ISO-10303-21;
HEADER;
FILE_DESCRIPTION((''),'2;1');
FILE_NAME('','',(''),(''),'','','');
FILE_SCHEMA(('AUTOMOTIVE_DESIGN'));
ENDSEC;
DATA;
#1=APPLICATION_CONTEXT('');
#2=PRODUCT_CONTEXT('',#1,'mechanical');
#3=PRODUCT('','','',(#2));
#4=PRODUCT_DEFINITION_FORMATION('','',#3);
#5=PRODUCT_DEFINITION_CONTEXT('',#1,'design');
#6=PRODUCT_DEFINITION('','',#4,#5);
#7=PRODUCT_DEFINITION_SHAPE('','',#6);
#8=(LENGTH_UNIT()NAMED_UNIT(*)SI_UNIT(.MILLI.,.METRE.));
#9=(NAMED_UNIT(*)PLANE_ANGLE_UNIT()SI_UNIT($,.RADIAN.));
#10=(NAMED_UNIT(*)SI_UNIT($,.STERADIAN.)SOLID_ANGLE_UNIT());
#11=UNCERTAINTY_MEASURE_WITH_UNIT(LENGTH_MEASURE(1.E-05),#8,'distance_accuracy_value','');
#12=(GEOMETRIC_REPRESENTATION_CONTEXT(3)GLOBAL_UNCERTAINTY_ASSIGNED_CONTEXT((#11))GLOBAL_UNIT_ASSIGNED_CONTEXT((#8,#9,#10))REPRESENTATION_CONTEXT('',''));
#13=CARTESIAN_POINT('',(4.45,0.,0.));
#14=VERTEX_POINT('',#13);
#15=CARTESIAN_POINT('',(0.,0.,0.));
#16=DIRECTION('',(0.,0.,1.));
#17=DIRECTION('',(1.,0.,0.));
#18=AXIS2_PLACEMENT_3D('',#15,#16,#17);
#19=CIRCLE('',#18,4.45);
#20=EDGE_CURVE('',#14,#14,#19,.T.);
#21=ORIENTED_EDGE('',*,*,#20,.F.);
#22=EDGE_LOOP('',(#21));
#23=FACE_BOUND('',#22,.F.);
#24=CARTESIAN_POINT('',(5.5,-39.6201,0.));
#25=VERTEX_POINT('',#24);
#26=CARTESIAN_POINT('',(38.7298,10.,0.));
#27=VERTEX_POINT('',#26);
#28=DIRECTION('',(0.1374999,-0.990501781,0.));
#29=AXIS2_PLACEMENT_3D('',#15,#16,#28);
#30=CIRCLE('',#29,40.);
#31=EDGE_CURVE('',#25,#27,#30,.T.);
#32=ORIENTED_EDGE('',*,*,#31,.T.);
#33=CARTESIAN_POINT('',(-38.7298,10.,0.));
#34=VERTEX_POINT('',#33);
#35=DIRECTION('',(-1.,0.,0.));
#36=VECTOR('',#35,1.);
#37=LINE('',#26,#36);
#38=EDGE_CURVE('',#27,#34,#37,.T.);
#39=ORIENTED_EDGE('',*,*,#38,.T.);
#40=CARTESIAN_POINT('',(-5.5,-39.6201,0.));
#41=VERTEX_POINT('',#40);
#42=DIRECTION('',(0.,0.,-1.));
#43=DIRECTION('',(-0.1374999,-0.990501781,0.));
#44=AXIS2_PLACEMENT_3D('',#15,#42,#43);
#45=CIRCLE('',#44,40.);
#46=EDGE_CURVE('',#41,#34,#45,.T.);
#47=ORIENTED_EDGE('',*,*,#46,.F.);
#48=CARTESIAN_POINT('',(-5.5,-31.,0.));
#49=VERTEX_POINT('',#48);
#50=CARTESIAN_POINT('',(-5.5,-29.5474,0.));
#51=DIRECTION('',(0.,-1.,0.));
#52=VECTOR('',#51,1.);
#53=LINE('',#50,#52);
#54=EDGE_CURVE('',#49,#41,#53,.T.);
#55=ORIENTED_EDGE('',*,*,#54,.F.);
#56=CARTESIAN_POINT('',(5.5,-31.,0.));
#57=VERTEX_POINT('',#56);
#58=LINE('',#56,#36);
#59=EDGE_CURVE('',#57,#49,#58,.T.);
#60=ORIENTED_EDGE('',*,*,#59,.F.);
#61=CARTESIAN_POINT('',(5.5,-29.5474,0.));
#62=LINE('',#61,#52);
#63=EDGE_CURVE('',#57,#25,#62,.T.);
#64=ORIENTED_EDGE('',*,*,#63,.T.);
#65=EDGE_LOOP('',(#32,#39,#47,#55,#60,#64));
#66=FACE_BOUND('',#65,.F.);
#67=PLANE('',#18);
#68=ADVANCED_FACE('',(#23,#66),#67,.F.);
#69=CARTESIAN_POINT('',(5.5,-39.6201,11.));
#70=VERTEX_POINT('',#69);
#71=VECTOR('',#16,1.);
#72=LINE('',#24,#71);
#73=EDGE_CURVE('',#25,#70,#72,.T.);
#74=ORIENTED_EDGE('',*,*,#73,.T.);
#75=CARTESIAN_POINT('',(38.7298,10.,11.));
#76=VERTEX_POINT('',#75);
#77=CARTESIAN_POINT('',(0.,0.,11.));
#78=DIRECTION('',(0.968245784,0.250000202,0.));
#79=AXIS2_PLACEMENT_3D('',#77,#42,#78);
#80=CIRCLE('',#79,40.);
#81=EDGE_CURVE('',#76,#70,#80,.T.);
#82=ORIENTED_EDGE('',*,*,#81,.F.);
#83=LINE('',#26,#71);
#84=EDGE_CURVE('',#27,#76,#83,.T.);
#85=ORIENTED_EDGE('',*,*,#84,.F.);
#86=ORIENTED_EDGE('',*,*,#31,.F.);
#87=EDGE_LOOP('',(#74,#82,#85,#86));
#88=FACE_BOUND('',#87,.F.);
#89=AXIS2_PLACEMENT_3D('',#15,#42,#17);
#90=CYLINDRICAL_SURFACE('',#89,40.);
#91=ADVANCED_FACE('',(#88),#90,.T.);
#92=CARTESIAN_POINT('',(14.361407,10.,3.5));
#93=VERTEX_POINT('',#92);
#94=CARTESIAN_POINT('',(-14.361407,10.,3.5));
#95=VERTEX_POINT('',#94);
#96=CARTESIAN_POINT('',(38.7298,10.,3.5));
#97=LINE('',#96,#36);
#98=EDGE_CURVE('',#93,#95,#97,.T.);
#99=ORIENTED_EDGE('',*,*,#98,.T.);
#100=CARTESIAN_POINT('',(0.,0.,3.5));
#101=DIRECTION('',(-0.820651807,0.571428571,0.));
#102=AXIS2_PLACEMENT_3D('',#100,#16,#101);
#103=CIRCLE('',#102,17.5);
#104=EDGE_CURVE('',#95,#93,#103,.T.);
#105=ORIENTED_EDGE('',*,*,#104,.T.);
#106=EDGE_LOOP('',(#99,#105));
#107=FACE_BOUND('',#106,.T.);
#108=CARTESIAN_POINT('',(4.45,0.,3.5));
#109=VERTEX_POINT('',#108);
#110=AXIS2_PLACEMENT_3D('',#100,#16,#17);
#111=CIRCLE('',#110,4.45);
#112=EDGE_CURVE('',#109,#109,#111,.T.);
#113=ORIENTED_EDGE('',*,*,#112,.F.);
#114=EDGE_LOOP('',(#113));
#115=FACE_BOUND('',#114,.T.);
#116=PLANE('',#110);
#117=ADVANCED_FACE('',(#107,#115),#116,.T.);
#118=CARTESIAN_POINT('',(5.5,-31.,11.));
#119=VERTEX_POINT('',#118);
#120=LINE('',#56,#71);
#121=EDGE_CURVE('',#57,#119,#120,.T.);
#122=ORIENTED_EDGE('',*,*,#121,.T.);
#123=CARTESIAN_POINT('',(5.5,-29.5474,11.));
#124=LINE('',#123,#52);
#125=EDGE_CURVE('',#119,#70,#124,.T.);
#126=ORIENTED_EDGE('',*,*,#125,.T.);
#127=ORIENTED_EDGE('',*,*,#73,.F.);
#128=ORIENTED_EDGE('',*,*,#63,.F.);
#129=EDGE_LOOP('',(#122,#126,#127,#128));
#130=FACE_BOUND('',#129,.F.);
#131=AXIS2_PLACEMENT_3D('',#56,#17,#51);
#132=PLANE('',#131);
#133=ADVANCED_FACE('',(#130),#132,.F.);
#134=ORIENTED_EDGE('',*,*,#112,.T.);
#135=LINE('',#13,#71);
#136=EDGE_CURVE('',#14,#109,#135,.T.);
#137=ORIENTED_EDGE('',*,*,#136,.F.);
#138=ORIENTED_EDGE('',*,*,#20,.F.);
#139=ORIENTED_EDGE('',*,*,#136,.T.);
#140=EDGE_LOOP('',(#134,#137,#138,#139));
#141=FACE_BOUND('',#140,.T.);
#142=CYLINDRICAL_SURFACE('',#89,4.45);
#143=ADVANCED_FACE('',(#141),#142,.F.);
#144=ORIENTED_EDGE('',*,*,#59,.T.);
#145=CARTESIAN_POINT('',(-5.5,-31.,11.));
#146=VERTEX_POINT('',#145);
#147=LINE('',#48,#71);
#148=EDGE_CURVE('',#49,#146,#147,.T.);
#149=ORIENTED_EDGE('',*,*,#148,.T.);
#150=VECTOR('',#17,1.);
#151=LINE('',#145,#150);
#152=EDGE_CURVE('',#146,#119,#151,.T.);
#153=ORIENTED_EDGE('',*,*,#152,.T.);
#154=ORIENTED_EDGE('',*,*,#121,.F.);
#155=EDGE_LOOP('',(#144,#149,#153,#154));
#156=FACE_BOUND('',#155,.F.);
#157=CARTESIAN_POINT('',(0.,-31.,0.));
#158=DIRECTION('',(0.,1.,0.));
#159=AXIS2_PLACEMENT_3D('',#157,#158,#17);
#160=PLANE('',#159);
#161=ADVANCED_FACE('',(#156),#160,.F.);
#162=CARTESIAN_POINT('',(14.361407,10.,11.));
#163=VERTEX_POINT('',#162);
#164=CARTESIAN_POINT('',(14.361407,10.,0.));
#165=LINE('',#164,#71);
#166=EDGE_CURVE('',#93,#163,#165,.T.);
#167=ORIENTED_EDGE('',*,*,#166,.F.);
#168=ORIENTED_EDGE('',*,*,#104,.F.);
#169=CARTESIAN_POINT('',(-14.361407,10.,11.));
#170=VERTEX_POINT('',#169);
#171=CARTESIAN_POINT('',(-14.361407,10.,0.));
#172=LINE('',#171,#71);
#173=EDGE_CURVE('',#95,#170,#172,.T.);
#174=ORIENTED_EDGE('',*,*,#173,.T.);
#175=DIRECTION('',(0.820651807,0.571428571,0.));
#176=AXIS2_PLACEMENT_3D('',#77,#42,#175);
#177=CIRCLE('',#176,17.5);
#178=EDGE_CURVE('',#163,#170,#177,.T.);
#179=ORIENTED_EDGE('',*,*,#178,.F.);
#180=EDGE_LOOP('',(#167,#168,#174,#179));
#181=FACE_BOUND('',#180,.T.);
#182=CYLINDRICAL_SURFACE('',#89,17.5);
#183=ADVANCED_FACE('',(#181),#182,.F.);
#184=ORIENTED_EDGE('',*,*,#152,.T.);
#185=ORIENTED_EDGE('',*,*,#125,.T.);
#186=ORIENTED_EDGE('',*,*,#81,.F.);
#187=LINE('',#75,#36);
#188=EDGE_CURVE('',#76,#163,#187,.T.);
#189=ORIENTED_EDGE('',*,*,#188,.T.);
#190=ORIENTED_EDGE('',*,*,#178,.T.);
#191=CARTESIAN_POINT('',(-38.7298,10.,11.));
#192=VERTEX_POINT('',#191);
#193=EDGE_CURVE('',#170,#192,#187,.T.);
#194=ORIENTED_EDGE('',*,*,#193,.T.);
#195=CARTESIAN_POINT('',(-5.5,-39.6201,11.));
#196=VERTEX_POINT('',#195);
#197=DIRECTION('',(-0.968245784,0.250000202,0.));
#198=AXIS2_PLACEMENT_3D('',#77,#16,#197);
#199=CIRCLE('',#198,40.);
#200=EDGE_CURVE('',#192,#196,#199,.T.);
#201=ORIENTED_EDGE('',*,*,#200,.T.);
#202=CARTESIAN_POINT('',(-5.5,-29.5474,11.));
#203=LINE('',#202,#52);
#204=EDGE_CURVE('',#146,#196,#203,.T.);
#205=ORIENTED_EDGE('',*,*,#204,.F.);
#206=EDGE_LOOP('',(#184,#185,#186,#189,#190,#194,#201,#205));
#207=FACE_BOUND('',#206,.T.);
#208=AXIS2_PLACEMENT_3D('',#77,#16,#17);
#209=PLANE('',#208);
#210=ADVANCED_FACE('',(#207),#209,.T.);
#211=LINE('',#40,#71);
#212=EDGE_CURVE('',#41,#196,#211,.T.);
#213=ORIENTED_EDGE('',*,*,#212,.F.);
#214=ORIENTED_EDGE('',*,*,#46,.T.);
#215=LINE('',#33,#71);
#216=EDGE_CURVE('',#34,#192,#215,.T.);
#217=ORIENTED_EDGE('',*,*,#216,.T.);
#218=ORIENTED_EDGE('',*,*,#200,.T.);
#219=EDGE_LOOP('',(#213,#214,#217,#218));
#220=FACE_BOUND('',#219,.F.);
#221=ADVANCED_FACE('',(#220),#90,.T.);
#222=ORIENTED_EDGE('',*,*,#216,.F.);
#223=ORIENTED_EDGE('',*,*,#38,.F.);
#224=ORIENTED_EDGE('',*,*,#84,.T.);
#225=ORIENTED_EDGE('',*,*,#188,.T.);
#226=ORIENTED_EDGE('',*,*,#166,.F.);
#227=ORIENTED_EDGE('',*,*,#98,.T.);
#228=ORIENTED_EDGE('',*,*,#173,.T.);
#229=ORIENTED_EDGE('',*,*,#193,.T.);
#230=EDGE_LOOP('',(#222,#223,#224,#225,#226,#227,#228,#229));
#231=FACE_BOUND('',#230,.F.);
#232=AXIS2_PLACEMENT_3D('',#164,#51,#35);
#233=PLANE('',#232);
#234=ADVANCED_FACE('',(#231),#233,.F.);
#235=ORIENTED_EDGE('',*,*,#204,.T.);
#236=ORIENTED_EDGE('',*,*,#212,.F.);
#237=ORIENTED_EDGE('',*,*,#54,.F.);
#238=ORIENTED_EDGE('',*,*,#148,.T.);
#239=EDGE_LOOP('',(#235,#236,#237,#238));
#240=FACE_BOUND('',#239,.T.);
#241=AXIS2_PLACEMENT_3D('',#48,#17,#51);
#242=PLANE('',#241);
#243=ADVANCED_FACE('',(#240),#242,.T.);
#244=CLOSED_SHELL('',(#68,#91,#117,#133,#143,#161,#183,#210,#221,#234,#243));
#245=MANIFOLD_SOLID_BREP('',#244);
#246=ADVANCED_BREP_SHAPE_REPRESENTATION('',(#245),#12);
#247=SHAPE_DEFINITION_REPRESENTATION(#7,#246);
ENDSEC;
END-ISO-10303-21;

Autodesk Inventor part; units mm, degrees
ref_plane "YZ Plane" through (0, 0, 0) normal (1, 0, 0) x (0, 1, 0)
ref_plane "XZ Plane" through (0, 0, 0) normal (0, 1, 0) x (-1, 0, 0)
ref_plane "XY Plane" through (0, 0, 0) normal (0, 0, 1) x (1, 0, 0)
sketch "Эскиз1" plane through (0, 0, 0) normal (0, 0, 1) x (1, 0, 0)
  line L0 (0, 0) -> (-6, 0) construction
  line L1 (-6, 0) -> (-6, -27.9727) construction
  line L2 (-6, -27.9727) -> (0, -27.9727) construction
  line L3 (0, -27.9727) -> (0, 0) construction
  line L4 (6, -39.5474) -> (6, -29.5474)
  line L5 (6, -29.5474) -> (-6, -29.5474)
  line L6 (-6, -29.5474) -> (-6, -39.5474)
  circle A0 centre (0, 0) radius 4.45
  circle A1 centre (0, 0) radius 40
  line L7 (29.5474, -6) -> (39.5474, -6)
  line L8 (29.5474, 6) -> (29.5474, -6)
  line L9 (39.5474, 6) -> (29.5474, 6)
  line L10 (6, 29.5474) -> (6, 39.5474)
  line L11 (-6, 29.5474) -> (6, 29.5474)
  line L12 (-6, 39.5474) -> (-6, 29.5474)
  line L13 (-29.5474, 6) -> (-39.5474, 6)
  line L14 (-29.5474, -6) -> (-29.5474, 6)
  line L15 (-39.5474, -6) -> (-29.5474, -6)
  line L16 (38.7298, 10) -> (-38.7298, 10)
  circle A2 centre (0, 0) radius 17.5
  line L17 (0, -40) -> (0, -31)
  line L18 (0, -31) -> (-6, -31)
  line L19 (0, -31) -> (6, -31)
  line L20 (5.5, -29.5474) -> (5.5, -39.6201)
  line L21 (-5.5, -29.5474) -> (-5.5, -39.6201)
  point P0 (6, -34.4819)
  point P1 (6, -27.9727)
  point P2 (6, -39.5474)
  point P3 (6, -39.5474)
  point P4 (-14.3614, 10)
  point P5 (14.3614, 10)
  point P6 (5.5, -31)
  point P7 (-5.5, -31)
  dimension "d1" = 6
  dimension "d2" = 12
  dimension "d3" = 10
  dimension "d6" = 8.9
  dimension "d12" = 80
  dimension "d15" = 360
  dimension "d19" = 35
  dimension "d24" = 9
  dimension "d25" = 0.5
ref_plane "РабПлоскость2" through (0, 0, 0.2) normal (0, 0, 1) x (1, 0, 0)
extrude "Выдавливание4" add sketch "Эскиз1" along normal blind 3.5 contours A2 L16 picked at (-0.1788, 8.1392)
extrude "Выдавливание5" add sketch "Эскиз1" along normal blind 11 contours A1 L20 L19 L4 | L4 L5 L6 A1 L15 L14 L13 L16 A2 L9 L8 L7 | L19 L20 L5 L4 | L7 L8 L9 A1 | L19 L18 L21 L5 L20 | A1 L6 L18 L21 | L21 L18 L6 L5 | A1 L13 L14 L15
properties part number "circle"
